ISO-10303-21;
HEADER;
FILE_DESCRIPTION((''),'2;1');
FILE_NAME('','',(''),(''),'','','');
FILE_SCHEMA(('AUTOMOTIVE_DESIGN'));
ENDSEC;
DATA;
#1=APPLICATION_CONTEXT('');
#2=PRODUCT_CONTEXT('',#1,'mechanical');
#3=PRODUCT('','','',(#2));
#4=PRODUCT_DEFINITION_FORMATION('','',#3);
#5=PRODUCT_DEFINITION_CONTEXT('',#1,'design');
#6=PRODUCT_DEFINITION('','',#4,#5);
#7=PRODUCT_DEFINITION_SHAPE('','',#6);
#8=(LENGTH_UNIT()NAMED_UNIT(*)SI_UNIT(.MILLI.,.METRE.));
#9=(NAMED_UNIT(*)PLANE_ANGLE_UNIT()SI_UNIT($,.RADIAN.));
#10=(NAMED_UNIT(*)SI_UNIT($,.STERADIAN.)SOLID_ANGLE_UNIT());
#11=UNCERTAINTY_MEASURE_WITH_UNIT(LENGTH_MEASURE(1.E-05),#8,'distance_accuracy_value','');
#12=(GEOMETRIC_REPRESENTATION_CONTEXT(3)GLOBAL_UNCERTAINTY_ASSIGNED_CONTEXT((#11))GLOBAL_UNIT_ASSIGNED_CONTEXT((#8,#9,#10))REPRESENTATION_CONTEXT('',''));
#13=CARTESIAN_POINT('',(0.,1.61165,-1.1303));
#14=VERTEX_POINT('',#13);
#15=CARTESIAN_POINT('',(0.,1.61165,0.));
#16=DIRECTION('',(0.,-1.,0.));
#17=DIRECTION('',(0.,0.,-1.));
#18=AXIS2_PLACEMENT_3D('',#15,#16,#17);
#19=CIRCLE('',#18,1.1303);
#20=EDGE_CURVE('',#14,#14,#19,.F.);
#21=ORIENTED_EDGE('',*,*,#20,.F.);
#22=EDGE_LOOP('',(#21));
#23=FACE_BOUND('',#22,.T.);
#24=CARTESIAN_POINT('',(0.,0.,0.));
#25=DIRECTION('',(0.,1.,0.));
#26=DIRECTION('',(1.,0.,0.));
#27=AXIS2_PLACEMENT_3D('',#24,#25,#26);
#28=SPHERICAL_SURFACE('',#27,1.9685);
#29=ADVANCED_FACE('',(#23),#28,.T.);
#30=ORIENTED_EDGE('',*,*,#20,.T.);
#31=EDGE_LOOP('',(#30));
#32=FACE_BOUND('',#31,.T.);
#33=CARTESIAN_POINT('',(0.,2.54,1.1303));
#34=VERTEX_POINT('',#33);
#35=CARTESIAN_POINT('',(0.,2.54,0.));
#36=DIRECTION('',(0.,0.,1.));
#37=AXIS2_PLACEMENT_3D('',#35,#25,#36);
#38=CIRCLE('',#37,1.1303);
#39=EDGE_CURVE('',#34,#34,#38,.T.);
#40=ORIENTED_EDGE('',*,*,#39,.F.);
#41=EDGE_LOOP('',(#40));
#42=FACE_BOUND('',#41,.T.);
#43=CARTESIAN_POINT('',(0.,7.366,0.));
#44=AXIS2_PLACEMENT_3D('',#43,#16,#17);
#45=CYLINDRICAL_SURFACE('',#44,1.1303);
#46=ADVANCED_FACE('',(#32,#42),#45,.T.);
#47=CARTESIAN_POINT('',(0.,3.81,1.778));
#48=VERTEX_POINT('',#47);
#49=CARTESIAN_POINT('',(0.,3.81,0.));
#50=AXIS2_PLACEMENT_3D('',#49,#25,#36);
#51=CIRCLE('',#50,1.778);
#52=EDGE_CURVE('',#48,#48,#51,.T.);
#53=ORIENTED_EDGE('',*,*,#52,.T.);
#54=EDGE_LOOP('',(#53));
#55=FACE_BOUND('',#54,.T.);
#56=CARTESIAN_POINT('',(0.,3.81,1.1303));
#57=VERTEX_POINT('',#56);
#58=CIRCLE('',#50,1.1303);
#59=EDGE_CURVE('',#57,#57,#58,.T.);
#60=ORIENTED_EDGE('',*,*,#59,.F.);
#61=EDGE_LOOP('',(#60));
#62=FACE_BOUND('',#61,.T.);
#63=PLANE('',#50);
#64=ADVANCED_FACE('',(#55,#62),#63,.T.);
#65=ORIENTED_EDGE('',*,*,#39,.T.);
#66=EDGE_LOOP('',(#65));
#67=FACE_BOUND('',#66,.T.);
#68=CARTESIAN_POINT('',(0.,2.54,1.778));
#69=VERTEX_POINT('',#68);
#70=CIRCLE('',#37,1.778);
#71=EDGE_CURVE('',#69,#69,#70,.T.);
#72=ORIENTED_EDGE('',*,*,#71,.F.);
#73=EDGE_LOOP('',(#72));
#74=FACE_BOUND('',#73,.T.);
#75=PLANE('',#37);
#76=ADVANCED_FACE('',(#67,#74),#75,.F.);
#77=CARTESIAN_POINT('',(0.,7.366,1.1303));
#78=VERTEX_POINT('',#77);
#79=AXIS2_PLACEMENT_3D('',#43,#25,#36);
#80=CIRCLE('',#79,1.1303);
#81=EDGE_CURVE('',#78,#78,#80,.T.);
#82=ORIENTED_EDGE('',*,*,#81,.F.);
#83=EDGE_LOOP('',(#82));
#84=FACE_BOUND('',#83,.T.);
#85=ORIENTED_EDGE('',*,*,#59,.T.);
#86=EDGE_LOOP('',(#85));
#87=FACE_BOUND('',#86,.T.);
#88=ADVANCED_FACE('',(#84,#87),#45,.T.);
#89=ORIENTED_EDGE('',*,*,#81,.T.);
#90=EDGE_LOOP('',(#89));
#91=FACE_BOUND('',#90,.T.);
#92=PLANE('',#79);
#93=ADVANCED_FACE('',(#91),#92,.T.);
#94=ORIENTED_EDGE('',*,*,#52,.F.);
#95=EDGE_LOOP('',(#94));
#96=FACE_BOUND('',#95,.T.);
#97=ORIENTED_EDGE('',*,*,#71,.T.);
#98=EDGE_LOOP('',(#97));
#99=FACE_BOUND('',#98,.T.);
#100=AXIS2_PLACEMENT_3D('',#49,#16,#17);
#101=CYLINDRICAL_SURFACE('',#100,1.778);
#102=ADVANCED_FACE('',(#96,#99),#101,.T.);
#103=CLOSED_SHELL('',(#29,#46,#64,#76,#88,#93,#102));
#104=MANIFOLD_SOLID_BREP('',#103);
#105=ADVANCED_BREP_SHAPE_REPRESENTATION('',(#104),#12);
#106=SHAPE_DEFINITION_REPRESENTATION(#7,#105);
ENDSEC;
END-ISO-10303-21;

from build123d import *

# Parameters (mm, degrees)
SKETCH4_R      = 1.1303
EXTRUDE1_DEPTH = 7.366
SKETCH5_R      = 1.778
EXTRUDE2_DEPTH = 1.27


with BuildPart() as part:
    # Sketch3 → Revolve1 (revolve)
    with BuildSketch(Plane.XY):
        with BuildLine():
            Line((0, 1.9685), (0, -1.9685))
            ThreePointArc((0, -1.9685), (1.9685, 0), (0, 1.9685))
        make_face()
    revolve(axis=Axis((0, 1.9685, 0), (0, -1, 0)))

    # Sketch4 → Extrude1 (add)
    with BuildSketch(Plane(origin=(0, 0, 0), x_dir=(-1, 0, 0), z_dir=(0, 1, 0))):
        Circle(SKETCH4_R)
    extrude(amount=EXTRUDE1_DEPTH)

    # Sketch5 → Extrude2 (add)
    with BuildSketch(Plane(origin=(0, 2.54, 0), x_dir=(-1, 0, 0), z_dir=(0, 1, 0))):
        Circle(SKETCH5_R)
    extrude(amount=EXTRUDE2_DEPTH)


solid = part.part
